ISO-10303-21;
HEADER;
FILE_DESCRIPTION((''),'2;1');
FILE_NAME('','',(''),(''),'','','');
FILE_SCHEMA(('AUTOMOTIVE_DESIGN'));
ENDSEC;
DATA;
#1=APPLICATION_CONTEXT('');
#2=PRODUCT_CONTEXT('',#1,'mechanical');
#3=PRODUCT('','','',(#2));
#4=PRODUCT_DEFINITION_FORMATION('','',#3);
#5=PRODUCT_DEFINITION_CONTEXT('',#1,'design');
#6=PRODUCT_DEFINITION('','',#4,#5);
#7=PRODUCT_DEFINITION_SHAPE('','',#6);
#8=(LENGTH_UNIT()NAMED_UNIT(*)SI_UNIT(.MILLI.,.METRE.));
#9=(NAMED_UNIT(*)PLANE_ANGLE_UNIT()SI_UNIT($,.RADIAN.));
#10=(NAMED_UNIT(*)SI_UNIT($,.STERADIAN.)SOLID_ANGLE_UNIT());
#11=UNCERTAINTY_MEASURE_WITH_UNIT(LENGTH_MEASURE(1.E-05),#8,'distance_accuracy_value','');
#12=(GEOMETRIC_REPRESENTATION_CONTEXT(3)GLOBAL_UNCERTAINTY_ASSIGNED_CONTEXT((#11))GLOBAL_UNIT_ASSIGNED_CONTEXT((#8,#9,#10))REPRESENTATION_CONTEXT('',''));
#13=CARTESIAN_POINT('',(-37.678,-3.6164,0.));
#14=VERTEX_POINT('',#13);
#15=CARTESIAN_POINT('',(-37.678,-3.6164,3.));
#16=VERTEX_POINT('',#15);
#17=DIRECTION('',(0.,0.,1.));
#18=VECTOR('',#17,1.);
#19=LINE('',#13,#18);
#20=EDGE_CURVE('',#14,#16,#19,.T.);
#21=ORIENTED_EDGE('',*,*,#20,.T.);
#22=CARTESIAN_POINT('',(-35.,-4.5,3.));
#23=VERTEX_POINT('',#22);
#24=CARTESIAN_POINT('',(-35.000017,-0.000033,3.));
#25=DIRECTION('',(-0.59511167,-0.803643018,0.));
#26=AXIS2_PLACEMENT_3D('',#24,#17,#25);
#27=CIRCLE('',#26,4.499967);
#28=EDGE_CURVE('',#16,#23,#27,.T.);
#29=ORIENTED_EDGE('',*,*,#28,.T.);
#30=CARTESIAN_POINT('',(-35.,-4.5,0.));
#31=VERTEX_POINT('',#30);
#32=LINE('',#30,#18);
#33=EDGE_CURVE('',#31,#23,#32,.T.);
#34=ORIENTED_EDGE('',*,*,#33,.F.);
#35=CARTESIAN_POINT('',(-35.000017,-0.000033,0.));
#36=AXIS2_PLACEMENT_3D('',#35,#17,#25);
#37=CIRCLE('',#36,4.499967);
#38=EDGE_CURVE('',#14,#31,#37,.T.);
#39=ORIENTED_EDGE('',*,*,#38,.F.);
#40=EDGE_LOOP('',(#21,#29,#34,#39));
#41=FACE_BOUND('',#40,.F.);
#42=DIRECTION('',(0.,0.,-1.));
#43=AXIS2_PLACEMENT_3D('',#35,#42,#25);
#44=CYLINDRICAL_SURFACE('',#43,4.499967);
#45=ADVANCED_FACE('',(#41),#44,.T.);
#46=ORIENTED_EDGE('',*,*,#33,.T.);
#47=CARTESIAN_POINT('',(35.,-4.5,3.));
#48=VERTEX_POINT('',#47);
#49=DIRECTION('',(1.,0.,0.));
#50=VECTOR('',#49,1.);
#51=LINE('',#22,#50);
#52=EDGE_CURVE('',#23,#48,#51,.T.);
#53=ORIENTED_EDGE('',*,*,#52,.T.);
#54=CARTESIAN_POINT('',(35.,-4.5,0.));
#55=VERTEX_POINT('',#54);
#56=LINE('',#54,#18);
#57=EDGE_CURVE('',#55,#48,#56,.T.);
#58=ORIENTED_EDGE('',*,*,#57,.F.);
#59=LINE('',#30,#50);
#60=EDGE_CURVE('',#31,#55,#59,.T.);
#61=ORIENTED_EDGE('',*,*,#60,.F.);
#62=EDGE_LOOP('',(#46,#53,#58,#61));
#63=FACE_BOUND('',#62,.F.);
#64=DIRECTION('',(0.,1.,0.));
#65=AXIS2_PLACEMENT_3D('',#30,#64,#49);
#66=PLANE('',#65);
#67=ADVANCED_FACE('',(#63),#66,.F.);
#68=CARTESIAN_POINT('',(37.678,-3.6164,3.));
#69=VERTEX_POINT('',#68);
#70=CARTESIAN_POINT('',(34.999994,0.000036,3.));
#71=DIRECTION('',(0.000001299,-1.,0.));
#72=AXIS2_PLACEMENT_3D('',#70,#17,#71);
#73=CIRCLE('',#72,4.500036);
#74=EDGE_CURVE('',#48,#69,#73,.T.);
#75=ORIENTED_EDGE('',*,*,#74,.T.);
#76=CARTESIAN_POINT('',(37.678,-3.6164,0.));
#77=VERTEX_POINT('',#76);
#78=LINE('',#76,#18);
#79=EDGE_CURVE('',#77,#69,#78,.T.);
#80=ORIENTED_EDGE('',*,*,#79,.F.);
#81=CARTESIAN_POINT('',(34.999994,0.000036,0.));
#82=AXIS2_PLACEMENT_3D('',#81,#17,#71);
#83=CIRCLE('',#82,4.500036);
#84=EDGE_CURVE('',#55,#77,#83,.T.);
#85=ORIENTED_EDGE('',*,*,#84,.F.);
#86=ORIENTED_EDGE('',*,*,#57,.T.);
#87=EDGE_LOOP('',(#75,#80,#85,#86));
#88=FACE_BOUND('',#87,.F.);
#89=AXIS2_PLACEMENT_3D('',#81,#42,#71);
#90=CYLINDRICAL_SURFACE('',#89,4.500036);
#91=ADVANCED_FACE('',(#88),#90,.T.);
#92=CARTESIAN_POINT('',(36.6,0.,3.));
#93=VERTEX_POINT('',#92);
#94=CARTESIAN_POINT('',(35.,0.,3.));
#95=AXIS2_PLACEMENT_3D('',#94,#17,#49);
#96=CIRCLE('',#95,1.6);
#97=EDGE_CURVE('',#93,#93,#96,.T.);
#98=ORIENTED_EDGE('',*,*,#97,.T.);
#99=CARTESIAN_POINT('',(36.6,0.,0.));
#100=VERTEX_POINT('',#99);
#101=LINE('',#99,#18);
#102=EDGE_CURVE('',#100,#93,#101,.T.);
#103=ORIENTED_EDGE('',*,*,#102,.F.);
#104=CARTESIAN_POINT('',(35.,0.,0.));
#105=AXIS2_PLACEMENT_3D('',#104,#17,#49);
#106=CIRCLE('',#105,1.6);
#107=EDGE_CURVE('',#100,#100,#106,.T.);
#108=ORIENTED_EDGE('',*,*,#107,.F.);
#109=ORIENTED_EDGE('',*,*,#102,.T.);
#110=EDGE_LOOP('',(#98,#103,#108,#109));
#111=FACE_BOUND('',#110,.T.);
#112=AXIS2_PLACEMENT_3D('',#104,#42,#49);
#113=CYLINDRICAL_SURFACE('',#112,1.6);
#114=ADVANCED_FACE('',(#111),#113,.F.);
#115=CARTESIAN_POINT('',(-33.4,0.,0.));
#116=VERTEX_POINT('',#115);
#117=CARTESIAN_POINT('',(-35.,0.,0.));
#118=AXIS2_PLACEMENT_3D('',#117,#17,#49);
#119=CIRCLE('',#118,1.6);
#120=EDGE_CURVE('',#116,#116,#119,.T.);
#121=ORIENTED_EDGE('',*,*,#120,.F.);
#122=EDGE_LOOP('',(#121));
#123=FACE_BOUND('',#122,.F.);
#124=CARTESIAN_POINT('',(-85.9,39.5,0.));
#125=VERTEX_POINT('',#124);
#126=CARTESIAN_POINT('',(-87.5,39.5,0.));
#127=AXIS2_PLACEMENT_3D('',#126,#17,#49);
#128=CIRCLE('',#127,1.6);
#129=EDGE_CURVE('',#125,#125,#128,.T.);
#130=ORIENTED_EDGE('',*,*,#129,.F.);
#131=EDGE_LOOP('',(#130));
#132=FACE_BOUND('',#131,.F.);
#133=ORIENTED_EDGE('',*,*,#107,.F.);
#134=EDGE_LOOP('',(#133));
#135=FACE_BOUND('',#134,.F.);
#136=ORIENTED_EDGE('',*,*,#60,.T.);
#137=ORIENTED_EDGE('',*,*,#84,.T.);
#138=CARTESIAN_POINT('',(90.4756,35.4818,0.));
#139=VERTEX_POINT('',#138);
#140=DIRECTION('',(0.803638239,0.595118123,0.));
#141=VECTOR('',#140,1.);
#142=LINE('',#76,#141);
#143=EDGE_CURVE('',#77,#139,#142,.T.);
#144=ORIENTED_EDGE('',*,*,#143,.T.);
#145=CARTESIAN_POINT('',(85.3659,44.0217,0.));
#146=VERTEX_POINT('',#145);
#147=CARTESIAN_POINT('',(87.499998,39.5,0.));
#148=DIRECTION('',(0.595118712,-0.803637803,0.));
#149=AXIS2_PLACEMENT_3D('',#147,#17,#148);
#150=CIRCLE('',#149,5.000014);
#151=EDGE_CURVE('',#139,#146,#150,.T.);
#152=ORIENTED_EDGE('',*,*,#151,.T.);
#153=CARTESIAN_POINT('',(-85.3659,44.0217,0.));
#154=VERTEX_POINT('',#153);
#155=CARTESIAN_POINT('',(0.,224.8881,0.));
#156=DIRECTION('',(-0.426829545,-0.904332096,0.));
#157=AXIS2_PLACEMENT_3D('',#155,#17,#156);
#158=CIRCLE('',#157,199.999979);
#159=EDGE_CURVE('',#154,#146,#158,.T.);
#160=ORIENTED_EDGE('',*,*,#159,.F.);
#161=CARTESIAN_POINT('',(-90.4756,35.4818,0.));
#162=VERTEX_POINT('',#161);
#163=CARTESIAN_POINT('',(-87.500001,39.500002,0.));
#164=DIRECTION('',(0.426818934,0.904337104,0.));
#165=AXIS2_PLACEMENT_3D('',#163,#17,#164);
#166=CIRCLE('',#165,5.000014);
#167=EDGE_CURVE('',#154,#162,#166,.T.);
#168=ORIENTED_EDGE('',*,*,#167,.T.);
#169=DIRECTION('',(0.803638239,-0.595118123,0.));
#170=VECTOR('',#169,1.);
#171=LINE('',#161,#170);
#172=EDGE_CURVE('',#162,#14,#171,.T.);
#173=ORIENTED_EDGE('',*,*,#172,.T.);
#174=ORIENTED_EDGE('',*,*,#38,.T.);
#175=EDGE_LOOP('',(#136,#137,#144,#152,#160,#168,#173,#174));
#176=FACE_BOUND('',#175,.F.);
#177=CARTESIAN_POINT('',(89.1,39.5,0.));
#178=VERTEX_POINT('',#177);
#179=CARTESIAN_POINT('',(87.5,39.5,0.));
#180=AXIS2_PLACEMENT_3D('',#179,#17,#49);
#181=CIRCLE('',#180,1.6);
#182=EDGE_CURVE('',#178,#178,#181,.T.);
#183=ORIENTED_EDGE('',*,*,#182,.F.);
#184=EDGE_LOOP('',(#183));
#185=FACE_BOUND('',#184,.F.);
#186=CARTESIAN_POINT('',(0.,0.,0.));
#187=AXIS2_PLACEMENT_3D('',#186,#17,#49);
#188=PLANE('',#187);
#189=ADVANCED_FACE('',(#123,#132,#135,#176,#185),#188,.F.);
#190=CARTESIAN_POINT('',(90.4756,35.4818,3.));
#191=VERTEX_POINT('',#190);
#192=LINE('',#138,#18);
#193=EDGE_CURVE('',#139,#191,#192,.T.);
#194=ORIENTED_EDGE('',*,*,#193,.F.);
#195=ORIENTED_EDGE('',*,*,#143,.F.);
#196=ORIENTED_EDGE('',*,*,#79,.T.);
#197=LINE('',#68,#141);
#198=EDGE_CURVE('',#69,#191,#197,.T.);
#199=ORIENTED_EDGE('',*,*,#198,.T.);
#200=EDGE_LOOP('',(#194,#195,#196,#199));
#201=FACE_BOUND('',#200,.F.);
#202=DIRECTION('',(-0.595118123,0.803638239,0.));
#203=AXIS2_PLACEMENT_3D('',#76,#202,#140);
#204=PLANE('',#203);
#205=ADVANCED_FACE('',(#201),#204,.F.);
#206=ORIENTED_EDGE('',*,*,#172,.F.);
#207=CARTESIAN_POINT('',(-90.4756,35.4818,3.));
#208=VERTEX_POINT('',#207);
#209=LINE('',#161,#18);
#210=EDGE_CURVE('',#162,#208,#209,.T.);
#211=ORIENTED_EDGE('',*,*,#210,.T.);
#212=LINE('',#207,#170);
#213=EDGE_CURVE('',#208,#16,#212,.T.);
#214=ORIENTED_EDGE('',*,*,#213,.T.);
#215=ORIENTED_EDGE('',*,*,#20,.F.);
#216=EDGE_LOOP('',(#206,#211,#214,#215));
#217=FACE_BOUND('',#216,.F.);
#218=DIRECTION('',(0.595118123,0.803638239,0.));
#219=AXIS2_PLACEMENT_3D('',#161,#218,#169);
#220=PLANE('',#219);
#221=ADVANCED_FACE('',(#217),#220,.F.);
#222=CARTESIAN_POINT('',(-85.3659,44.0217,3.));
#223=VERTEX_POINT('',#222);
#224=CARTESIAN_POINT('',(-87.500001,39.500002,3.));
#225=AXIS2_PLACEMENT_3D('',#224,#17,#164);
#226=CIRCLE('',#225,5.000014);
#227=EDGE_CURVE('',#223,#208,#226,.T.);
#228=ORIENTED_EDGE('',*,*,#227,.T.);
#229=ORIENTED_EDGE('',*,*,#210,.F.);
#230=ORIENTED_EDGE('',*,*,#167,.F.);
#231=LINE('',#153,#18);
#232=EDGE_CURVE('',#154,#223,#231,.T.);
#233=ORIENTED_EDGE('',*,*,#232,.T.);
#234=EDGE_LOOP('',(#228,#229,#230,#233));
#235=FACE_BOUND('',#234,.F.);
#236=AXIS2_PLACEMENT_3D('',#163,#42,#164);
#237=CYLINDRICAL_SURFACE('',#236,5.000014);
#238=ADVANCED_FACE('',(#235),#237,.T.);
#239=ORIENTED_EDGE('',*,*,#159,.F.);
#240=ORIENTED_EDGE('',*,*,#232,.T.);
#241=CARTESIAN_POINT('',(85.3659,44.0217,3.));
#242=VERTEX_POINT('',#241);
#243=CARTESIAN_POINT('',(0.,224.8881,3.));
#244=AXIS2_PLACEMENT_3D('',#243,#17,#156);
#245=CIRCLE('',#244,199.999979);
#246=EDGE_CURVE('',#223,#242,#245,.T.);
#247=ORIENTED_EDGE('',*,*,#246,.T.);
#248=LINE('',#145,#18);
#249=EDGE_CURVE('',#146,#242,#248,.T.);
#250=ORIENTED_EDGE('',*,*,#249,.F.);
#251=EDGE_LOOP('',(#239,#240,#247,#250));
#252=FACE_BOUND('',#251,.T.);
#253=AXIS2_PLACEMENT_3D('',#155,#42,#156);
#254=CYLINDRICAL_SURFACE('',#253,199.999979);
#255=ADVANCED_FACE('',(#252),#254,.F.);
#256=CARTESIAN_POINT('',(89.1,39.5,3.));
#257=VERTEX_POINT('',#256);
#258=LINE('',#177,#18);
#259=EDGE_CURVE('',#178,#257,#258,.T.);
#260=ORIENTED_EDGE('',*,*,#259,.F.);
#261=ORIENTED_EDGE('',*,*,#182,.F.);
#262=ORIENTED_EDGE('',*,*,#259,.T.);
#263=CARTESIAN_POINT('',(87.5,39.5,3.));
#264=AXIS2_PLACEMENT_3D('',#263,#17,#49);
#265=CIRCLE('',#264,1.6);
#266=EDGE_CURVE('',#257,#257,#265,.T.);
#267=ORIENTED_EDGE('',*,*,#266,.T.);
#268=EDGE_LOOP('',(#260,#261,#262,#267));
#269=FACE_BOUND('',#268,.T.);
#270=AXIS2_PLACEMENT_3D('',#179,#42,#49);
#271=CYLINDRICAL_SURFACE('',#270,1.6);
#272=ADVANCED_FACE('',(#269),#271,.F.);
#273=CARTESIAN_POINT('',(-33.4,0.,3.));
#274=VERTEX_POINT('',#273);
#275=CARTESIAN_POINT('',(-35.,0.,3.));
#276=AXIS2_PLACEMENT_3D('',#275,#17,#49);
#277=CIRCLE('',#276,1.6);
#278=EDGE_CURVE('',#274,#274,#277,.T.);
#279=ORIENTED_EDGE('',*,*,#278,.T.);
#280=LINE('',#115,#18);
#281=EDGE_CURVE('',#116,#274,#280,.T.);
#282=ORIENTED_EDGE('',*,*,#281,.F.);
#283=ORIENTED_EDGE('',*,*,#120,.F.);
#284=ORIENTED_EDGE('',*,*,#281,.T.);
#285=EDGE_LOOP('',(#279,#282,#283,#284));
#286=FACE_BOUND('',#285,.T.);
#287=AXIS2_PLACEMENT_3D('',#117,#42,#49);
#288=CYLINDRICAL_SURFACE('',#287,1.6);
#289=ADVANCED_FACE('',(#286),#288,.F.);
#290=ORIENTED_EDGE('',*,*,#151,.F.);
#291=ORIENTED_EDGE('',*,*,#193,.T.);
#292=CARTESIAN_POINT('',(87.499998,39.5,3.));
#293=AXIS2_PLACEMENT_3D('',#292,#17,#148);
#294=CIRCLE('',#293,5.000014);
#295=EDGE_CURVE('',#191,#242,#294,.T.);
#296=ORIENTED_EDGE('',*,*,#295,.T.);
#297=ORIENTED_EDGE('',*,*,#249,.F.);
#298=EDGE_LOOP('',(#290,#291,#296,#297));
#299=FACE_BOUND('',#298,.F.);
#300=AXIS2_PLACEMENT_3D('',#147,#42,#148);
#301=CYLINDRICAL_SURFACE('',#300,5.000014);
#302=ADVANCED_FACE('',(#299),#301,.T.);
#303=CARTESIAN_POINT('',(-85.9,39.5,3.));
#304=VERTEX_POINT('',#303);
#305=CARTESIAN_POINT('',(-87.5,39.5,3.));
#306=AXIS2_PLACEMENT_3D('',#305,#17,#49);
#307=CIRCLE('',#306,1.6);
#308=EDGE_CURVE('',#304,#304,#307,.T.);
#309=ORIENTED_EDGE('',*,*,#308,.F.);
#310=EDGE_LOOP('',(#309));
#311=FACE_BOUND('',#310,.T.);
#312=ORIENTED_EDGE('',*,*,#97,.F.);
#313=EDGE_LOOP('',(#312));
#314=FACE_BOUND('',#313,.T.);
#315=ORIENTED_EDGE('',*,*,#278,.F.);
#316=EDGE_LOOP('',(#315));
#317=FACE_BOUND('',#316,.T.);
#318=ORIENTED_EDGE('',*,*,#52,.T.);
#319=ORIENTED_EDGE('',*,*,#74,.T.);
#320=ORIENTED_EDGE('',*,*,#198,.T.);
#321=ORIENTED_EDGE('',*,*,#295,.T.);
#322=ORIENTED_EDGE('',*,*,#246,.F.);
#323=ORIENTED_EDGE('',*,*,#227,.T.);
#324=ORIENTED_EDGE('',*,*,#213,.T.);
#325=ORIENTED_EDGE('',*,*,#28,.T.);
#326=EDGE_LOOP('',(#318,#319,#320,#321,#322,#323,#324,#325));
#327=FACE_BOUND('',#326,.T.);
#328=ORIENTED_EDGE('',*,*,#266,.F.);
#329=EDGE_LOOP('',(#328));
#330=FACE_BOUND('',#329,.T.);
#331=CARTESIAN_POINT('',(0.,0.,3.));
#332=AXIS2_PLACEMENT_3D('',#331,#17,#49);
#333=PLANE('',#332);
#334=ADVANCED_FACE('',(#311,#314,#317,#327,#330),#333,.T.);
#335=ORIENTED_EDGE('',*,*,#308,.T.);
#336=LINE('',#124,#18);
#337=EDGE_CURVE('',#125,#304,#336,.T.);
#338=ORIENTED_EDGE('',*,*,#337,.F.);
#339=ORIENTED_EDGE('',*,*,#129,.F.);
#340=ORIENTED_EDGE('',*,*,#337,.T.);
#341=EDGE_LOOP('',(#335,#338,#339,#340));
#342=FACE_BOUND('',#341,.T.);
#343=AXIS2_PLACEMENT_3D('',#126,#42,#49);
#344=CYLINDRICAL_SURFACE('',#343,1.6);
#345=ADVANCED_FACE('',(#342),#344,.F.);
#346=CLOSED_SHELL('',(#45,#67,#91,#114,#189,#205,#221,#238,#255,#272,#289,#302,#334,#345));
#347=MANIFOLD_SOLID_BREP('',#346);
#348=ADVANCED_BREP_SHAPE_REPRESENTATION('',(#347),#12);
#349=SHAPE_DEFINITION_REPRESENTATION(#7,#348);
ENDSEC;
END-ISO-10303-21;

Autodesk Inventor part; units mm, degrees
ref_plane "YZ Plane" through (0, 0, 0) normal (1, 0, 0) x (0, 1, 0)
ref_plane "XZ Plane" through (0, 0, 0) normal (0, 1, 0) x (-1, 0, 0)
ref_plane "XY Plane" through (0, 0, 0) normal (0, 0, 1) x (1, 0, 0)
sketch "スケッチ1" plane through (0, 0, 0) normal (0, 0, 1) x (1, 0, 0)
  circle A0 centre (-35, 0) radius 1.6
  circle A1 centre (35, 0) radius 1.6
  circle A2 centre (-87.5, 39.5) radius 1.6
  circle A3 centre (87.5, 39.5) radius 1.6
  arc A4 (-85.3659, 44.0217) -> (-90.4756, 35.4818) centre (-87.5, 39.5) ccw
  arc A5 (-37.678, -3.6164) -> (-35, -4.5) centre (-35, 0) ccw
  arc A6 (35, -4.5) -> (37.678, -3.6164) centre (35, 0) ccw
  arc A7 (90.4756, 35.4818) -> (85.3659, 44.0217) centre (87.5, 39.5) ccw
  arc A8 (-85.3659, 44.0217) -> (85.3659, 44.0217) centre (0, 224.8881) ccw
  line L0 (-90.4756, 35.4818) -> (-37.678, -3.6164)
  line L1 (-35, -4.5) -> (35, -4.5)
  line L2 (37.678, -3.6164) -> (90.4756, 35.4818)
  point P0 (0, 0)
  dimension "d0" = 3.2
  dimension "d1" = 3.2
  dimension "d2" = 70
  dimension "d3" = 35
  dimension "d4" = 3.2
  dimension "d5" = 3.2
  dimension "d6" = 39.5
  dimension "d7" = 175
  dimension "d8" = 87.5
  dimension "d9" = 5
  dimension "d10" = 4.5
  dimension "d11" = 4.5
  dimension "d12" = 5
  dimension "d13" = 200
extrude "押し出し1" add sketch "スケッチ1" along normal blind 3
equation "\"d3\" = 0.5 * d2"
equation "\"d8\" = 0.5 * d7"
properties part number "ハンド_下側板" material "アルミニウム 6061"
